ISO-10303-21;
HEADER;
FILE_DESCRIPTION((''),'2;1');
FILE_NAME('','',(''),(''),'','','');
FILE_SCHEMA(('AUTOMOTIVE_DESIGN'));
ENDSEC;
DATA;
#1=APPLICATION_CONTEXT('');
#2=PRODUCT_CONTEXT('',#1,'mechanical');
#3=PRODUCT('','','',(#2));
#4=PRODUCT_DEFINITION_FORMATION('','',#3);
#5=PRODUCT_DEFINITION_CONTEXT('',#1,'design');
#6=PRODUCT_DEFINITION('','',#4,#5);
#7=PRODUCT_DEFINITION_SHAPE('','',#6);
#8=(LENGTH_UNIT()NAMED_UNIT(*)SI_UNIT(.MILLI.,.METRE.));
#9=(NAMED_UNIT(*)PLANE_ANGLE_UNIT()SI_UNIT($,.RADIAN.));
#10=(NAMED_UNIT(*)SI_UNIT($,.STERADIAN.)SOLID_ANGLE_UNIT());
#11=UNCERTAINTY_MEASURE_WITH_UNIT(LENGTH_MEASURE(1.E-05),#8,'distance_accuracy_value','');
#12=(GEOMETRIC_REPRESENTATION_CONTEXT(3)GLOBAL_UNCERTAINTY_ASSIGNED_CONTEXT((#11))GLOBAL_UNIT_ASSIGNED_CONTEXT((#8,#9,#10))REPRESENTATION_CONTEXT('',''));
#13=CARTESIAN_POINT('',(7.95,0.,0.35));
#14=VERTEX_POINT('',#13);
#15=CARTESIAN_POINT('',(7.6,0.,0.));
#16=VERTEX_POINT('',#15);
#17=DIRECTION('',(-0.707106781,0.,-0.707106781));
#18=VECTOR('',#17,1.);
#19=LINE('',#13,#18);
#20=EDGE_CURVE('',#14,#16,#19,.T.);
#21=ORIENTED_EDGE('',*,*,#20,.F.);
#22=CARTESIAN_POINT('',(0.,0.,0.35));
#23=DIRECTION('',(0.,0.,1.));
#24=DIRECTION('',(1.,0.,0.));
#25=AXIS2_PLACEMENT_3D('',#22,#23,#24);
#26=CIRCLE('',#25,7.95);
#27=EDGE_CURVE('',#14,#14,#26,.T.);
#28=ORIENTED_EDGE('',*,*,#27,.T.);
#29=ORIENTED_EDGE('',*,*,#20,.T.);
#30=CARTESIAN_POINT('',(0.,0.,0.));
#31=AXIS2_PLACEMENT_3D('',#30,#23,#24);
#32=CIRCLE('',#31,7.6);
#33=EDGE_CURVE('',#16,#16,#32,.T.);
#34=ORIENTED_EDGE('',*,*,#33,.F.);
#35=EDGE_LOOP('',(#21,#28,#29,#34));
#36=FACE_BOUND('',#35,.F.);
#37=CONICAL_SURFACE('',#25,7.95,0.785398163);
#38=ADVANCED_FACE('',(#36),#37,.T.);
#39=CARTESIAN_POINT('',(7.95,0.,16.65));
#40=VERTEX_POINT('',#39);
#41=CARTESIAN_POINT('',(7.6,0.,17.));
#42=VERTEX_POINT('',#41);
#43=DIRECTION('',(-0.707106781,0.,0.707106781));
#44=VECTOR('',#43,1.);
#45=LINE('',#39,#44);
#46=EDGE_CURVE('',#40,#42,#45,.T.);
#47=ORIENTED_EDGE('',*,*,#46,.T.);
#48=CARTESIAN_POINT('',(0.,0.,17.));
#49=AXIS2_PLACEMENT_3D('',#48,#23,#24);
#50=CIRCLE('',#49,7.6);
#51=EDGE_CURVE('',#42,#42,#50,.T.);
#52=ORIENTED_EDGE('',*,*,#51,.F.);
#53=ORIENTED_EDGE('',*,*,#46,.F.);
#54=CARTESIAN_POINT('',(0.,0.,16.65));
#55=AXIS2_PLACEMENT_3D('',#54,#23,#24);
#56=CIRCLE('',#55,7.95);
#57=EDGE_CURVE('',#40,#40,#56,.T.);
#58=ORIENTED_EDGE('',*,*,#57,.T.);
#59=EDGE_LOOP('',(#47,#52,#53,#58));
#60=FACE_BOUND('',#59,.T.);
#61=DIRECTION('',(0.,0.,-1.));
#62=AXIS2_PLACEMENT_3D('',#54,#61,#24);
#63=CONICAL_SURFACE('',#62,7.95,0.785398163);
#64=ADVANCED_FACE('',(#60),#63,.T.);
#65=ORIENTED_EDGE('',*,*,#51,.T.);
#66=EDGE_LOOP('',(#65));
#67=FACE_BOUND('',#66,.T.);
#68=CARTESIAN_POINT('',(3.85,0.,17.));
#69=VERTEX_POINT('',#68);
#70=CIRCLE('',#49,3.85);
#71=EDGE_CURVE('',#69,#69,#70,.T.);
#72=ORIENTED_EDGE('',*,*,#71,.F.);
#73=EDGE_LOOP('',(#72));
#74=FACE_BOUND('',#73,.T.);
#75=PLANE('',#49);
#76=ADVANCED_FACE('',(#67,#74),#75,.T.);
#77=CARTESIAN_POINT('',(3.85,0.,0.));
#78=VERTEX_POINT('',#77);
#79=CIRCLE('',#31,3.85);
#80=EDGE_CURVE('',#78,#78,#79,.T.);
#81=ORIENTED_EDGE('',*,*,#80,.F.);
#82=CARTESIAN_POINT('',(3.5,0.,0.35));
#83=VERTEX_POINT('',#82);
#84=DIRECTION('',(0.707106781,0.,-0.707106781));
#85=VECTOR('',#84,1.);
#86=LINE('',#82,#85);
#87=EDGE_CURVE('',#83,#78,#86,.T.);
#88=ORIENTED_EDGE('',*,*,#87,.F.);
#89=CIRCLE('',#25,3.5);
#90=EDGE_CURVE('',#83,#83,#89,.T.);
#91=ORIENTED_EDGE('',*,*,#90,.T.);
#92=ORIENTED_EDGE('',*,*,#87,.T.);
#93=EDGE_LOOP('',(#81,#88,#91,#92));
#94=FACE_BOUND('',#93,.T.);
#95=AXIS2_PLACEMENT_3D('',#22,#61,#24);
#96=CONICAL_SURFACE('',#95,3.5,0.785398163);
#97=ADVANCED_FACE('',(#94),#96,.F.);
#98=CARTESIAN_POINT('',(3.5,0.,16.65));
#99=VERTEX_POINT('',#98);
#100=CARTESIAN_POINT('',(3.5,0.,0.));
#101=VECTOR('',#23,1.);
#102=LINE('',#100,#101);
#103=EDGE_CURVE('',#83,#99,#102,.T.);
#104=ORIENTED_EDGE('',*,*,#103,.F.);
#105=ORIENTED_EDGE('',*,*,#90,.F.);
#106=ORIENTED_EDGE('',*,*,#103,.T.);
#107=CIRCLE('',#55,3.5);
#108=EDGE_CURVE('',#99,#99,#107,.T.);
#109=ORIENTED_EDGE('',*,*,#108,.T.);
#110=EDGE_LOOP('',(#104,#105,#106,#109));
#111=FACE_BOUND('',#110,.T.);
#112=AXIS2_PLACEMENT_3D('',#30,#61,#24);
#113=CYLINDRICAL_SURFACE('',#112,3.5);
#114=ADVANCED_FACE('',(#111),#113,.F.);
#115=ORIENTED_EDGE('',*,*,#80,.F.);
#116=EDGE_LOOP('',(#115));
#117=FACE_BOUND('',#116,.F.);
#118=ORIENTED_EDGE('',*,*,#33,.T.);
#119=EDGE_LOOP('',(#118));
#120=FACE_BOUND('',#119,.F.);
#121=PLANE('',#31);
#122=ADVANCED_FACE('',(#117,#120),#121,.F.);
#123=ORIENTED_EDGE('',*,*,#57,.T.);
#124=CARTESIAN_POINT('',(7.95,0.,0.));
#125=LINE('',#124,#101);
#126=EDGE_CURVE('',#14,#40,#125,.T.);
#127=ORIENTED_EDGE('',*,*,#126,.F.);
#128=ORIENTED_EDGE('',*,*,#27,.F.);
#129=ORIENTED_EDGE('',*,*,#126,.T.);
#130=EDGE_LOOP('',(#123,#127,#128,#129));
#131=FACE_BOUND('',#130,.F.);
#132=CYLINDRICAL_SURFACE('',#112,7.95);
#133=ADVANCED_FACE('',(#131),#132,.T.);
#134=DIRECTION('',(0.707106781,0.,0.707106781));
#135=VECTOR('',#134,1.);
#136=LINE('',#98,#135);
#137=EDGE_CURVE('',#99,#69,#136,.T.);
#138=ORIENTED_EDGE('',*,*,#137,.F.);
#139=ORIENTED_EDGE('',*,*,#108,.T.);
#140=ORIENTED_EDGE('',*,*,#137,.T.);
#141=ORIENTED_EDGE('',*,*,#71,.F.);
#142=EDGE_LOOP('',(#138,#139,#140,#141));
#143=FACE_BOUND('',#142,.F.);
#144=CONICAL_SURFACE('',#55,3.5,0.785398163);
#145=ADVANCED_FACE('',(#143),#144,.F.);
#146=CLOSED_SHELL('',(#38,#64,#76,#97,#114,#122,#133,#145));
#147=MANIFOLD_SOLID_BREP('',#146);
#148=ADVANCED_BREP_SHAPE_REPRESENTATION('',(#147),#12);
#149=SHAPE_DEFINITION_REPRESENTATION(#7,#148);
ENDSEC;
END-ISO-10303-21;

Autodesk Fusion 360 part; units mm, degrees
sketch "Sketch1" plane through (0, 0, 0) normal (0, 0, 1) x (1, 0, 0)
  circle A0 centre (0, 0) radius 7.95
  circle A1 centre (0, 0) radius 3.5
  dimension "d1" = 15.9
  dimension "d2" = 7
extrude "Extrude1" add sketch "Sketch1" along normal blind 17
chamfer "Chamfer1" distance 0.35 angle 45 4 edges at (-3.2631, 1.2657, 17) (-3.2631, 1.2657, 0) (-7.412, -2.8748, 0) (-7.412, -2.8748, 17)
